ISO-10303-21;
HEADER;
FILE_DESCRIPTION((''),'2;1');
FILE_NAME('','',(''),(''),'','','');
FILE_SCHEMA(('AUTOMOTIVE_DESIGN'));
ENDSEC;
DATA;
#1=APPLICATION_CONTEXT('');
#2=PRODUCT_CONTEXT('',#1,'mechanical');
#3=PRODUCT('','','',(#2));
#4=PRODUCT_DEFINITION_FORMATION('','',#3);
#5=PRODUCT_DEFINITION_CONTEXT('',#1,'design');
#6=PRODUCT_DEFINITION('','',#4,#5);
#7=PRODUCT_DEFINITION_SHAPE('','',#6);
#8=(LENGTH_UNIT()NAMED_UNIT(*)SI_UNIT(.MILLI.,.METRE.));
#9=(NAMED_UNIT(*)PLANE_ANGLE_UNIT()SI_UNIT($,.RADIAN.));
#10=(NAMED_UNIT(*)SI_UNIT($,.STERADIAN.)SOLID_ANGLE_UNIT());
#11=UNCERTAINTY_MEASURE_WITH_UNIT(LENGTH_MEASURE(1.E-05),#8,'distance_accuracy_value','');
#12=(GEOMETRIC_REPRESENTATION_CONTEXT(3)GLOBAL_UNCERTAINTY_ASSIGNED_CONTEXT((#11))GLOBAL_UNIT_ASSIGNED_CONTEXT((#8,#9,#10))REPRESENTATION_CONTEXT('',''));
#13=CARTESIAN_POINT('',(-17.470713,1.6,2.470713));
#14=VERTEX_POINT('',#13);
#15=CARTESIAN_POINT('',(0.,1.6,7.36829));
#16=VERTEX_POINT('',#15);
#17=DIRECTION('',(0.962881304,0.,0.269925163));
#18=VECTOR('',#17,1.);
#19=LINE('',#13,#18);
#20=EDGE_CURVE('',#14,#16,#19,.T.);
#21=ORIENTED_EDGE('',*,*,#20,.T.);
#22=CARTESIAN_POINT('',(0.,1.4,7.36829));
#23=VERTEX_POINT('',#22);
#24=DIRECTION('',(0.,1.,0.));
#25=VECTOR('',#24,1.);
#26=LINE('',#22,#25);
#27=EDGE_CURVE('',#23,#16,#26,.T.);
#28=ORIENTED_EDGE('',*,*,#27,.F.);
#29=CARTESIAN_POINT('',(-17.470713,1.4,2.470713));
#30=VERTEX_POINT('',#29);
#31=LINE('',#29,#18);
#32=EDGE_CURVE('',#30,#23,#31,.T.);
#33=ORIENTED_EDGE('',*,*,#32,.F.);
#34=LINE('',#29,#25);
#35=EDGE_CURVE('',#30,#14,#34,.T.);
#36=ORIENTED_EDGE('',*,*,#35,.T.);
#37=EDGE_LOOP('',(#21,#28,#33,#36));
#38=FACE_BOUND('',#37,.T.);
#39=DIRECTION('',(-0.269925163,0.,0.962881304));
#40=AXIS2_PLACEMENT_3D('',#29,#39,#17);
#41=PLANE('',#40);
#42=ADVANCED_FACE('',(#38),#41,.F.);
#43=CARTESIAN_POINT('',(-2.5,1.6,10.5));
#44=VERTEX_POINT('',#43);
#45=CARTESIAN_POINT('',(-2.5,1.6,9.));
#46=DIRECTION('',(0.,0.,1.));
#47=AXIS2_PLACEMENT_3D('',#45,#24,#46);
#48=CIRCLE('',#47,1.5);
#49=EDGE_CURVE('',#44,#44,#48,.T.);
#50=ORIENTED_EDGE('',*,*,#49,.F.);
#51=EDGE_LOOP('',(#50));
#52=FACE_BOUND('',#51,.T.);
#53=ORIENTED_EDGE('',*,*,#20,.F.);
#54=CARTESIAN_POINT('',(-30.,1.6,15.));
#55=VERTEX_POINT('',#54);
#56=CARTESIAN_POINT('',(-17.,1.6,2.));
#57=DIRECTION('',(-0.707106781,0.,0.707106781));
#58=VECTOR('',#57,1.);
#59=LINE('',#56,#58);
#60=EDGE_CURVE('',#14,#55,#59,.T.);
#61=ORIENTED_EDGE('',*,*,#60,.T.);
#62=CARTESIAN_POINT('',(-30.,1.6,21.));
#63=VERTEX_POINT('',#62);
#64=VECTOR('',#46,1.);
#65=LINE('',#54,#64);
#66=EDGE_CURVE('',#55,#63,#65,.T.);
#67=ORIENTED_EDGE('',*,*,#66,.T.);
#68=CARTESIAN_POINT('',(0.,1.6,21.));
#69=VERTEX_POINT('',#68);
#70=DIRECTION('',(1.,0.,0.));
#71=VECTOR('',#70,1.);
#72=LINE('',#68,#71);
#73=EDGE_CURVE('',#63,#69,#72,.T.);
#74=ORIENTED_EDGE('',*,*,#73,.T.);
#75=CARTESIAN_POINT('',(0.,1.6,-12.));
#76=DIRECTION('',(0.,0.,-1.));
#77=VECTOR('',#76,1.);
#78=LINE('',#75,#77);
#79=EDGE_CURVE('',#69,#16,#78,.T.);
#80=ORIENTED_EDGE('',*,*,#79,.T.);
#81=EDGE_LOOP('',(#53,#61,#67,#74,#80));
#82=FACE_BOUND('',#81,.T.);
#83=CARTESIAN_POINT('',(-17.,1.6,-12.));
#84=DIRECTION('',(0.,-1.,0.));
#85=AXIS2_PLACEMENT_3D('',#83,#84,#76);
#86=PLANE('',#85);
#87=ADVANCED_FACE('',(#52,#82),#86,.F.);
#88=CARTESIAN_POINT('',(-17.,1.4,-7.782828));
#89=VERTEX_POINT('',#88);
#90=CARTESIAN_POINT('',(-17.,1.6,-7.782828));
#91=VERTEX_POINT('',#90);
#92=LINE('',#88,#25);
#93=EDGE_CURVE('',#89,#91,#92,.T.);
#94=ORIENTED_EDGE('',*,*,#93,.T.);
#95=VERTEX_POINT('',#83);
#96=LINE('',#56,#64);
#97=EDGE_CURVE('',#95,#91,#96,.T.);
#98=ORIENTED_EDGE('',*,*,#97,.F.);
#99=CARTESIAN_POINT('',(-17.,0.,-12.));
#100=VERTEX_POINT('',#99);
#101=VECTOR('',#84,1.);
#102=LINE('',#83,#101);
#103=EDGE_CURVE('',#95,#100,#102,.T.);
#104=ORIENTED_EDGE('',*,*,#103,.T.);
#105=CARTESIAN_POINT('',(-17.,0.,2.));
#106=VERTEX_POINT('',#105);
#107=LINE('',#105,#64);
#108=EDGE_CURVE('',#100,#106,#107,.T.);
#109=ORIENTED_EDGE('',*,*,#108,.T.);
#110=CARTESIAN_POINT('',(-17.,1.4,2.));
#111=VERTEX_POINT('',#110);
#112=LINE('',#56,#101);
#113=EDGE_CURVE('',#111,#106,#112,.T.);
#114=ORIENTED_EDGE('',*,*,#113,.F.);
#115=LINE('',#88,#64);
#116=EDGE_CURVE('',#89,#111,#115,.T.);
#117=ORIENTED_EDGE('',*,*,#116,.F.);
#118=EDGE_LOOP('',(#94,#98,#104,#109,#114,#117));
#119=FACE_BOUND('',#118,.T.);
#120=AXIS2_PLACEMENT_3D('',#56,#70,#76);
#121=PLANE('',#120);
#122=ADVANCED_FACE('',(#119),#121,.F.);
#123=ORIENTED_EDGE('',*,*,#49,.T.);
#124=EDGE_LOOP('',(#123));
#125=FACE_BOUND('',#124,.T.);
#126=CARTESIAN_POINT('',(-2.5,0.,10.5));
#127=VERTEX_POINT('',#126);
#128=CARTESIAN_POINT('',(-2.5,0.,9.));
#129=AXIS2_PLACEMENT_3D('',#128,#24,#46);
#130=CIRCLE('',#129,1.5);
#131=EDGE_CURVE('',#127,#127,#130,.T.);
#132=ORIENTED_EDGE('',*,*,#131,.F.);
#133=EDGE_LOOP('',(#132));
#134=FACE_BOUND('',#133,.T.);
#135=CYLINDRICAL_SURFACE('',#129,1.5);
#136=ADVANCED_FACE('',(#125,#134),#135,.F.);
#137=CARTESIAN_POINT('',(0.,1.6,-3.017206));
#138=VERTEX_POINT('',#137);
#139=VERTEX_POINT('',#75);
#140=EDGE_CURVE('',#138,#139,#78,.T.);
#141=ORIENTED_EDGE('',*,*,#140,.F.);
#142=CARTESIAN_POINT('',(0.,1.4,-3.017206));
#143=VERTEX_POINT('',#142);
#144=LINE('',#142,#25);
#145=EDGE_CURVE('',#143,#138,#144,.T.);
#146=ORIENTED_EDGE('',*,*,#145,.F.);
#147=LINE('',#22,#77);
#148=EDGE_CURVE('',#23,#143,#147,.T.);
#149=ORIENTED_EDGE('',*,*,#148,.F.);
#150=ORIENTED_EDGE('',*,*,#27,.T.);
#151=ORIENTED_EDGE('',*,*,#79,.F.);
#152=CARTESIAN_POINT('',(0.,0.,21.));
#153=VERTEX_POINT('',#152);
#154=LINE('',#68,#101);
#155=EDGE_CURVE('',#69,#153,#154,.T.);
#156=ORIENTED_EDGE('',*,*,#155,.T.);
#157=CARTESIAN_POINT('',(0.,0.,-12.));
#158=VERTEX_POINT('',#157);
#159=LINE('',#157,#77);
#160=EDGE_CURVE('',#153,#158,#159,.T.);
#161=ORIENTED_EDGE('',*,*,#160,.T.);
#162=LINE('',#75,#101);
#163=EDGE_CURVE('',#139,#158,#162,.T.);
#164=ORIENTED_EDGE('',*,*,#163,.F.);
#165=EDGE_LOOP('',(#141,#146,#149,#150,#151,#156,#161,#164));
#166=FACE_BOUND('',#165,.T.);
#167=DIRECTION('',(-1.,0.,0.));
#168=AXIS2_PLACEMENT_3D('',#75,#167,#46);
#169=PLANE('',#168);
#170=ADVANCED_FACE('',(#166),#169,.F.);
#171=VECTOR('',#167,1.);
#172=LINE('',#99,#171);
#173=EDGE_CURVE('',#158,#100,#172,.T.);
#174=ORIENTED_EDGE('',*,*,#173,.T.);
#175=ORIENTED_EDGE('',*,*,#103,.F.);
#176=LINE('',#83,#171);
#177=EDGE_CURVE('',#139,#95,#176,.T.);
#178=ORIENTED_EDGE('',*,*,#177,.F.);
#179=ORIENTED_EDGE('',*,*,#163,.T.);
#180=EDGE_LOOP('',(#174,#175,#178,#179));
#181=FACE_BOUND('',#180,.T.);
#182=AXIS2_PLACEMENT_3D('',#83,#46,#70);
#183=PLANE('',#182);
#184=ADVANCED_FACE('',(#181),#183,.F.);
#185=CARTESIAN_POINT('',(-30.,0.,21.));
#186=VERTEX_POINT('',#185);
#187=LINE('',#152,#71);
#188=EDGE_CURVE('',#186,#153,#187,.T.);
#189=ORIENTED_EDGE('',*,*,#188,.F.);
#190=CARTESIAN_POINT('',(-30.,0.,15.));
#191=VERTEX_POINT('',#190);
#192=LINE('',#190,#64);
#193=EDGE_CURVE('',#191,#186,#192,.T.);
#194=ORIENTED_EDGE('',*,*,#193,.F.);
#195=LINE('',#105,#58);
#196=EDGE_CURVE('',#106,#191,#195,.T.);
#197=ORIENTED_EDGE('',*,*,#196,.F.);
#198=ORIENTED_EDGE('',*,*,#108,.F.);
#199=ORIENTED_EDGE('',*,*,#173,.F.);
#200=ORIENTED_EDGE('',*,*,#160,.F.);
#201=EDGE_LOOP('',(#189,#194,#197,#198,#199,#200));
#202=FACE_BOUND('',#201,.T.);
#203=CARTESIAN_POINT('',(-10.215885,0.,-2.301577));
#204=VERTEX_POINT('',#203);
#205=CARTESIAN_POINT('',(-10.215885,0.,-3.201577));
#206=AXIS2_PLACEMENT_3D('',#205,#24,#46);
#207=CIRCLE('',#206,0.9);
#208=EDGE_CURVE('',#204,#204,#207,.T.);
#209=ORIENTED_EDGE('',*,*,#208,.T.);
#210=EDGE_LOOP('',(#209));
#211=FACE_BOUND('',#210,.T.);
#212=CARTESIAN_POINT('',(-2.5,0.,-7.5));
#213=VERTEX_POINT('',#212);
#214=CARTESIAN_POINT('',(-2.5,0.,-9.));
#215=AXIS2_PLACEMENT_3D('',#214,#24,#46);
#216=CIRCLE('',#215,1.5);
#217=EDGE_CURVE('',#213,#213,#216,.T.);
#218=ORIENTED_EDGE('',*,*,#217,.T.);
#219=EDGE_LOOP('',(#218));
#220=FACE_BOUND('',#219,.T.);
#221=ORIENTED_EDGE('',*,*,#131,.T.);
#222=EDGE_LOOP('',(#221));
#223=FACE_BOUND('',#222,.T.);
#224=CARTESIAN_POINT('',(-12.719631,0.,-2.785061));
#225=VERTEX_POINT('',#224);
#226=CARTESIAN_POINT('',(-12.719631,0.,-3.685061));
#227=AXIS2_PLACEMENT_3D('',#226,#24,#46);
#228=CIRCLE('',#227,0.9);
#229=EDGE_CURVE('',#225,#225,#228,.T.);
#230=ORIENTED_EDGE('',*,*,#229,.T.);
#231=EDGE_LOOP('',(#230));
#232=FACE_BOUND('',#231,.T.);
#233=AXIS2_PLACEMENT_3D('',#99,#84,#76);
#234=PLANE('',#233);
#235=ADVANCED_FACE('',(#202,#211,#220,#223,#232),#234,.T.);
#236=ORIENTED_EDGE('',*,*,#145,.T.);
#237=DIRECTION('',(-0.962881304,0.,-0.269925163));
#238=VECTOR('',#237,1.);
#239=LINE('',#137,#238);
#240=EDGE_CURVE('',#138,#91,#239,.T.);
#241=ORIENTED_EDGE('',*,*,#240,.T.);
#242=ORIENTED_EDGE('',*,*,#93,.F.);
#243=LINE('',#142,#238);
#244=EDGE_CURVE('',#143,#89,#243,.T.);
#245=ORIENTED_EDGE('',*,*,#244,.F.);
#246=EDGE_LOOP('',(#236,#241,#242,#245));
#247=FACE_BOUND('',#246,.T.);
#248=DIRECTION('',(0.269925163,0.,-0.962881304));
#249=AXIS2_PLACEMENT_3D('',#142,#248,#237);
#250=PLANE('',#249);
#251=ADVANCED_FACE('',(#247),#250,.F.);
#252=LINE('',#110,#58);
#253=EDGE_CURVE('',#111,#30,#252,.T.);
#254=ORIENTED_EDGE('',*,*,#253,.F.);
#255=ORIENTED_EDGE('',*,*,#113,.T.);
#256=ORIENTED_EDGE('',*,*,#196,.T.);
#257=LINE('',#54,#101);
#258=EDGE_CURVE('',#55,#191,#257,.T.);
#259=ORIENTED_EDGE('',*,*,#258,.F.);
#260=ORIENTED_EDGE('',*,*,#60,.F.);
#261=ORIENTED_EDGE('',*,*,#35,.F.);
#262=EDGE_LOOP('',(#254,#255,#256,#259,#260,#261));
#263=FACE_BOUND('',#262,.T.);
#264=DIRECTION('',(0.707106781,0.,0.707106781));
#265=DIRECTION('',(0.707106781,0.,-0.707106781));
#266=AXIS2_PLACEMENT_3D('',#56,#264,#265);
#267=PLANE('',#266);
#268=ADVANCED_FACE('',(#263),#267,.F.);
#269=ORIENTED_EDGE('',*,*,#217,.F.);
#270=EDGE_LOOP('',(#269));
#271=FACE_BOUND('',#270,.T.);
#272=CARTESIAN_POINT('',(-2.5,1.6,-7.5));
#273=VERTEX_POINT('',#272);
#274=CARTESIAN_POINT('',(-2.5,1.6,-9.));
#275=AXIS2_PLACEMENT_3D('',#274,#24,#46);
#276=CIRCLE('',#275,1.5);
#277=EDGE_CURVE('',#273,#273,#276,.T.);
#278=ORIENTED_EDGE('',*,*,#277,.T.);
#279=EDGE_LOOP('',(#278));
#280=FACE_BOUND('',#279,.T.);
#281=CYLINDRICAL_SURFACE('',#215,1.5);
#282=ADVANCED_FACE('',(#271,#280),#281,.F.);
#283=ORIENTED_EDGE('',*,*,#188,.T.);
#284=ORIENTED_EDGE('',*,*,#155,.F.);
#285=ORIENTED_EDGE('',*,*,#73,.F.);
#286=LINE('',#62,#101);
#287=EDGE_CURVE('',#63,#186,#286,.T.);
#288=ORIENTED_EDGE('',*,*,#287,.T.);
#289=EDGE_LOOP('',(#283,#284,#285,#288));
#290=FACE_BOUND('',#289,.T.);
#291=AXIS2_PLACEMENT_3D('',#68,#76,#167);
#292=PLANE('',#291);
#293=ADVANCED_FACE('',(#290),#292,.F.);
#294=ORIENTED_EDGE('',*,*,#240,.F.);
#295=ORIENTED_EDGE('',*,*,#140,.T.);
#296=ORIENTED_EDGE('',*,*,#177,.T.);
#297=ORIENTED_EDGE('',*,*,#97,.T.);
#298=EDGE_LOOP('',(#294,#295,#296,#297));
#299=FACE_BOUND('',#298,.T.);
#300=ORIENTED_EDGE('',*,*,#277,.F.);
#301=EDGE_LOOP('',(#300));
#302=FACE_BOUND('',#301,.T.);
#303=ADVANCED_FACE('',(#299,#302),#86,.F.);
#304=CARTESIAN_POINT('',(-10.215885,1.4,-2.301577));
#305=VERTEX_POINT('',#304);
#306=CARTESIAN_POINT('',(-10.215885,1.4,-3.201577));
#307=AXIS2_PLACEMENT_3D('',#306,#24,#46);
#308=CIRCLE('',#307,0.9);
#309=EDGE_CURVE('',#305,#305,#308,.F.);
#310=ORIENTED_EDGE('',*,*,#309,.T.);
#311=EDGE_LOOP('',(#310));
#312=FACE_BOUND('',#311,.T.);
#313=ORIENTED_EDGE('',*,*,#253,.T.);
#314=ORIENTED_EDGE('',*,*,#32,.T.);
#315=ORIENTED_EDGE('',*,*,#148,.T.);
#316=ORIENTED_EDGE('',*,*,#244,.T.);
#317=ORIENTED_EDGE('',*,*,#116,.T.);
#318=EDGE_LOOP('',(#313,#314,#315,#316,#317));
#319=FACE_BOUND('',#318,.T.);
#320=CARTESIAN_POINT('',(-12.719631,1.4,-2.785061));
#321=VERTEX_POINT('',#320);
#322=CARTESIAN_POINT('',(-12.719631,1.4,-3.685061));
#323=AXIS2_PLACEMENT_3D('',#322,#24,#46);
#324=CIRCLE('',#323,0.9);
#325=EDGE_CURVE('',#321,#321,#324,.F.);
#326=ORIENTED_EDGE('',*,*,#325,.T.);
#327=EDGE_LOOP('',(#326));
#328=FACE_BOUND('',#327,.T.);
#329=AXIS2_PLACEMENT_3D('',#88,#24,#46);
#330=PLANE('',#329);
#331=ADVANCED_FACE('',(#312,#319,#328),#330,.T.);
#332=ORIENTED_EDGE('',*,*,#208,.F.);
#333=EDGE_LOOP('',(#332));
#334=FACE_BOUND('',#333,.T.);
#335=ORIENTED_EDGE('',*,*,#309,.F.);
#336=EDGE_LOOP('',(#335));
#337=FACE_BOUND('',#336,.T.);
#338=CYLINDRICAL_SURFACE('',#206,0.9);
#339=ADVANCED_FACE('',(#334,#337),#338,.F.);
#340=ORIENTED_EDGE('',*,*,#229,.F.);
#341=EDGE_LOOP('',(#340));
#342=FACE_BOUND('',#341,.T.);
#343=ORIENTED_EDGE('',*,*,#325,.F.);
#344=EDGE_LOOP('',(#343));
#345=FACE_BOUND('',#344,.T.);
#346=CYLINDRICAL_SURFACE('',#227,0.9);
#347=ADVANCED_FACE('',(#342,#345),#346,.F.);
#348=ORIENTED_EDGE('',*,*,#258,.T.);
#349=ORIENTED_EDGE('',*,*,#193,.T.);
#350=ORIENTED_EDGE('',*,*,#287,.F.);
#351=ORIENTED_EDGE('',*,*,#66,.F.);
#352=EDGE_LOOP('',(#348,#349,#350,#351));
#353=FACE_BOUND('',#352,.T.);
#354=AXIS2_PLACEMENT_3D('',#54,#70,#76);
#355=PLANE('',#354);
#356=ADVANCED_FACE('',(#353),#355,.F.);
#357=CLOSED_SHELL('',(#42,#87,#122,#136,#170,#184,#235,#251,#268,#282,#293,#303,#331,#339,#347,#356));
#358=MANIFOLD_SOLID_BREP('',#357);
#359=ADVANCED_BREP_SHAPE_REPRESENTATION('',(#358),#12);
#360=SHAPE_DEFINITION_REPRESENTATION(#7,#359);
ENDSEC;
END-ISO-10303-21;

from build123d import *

# Parameters (mm, degrees)
EXTRUSION1_DEPTH        = 1.6
ESQUISSE2_R             = 0.9
ENL_V_MAT_EXTRU_1_DEPTH = 37.654604076
ENL_V_MAT_EXTRU_2_DEPTH = 0.2
ESQUISSE4_R             = 1.5
ENL_V_MAT_EXTRU_3_DEPTH = 37.654604076


with BuildPart() as part:
    # Esquisse1 → Extrusion1 (new body)
    with BuildSketch(Plane(origin=(0, 0, 0), x_dir=(1, 0, 0), z_dir=(0, 1, 0))):
        Polygon((-17, 12), (0, 12), (0, -21), (-30, -21), (-30, -15), (-17, -2), align=None)
    extrude(amount=EXTRUSION1_DEPTH)

    # Esquisse2 → Enlèv. mat.-Extru.1 (cut, through all)
    with BuildSketch(Plane(origin=(0, 1.6, 0), x_dir=(1, 0, 0), z_dir=(0, 1, 0))):
        with Locations(Location((-12.719630786, 3.685060513, 0), (0, 0, 270))):
            Circle(ESQUISSE2_R)
        with Locations(Location((-10.215884924, 3.201576633, 0), (0, 0, 270))):
            Circle(ESQUISSE2_R)
    extrude(amount=-ENL_V_MAT_EXTRU_1_DEPTH, mode=Mode.SUBTRACT)

    # Esquisse3 → Enlèv. mat.-Extru.2 (cut)
    with BuildSketch(Plane(origin=(0, 1.6, 0), x_dir=(1, 0, 0), z_dir=(0, 1, 0))):
        Polygon((-17, 7.782827883), (-17, -2), (-17.470712916, -2.470712916), (0, -7.368289602), (0, 3.017206465), align=None)
    extrude(amount=-ENL_V_MAT_EXTRU_2_DEPTH, mode=Mode.SUBTRACT)

    # Esquisse4 → Enlèv. mat.-Extru.3 (cut, through all)
    with BuildSketch(Plane(origin=(0, 1.6, 0), x_dir=(1, 0, 0), z_dir=(0, 1, 0))):
        with Locations(Location((-2.5, 9, 0), (0, 0, 270))):
            Circle(ESQUISSE4_R)
        with Locations(Location((-2.5, -9, 0), (0, 0, 270))):
            Circle(ESQUISSE4_R)
    extrude(amount=-ENL_V_MAT_EXTRU_3_DEPTH, mode=Mode.SUBTRACT)


solid = part.part
